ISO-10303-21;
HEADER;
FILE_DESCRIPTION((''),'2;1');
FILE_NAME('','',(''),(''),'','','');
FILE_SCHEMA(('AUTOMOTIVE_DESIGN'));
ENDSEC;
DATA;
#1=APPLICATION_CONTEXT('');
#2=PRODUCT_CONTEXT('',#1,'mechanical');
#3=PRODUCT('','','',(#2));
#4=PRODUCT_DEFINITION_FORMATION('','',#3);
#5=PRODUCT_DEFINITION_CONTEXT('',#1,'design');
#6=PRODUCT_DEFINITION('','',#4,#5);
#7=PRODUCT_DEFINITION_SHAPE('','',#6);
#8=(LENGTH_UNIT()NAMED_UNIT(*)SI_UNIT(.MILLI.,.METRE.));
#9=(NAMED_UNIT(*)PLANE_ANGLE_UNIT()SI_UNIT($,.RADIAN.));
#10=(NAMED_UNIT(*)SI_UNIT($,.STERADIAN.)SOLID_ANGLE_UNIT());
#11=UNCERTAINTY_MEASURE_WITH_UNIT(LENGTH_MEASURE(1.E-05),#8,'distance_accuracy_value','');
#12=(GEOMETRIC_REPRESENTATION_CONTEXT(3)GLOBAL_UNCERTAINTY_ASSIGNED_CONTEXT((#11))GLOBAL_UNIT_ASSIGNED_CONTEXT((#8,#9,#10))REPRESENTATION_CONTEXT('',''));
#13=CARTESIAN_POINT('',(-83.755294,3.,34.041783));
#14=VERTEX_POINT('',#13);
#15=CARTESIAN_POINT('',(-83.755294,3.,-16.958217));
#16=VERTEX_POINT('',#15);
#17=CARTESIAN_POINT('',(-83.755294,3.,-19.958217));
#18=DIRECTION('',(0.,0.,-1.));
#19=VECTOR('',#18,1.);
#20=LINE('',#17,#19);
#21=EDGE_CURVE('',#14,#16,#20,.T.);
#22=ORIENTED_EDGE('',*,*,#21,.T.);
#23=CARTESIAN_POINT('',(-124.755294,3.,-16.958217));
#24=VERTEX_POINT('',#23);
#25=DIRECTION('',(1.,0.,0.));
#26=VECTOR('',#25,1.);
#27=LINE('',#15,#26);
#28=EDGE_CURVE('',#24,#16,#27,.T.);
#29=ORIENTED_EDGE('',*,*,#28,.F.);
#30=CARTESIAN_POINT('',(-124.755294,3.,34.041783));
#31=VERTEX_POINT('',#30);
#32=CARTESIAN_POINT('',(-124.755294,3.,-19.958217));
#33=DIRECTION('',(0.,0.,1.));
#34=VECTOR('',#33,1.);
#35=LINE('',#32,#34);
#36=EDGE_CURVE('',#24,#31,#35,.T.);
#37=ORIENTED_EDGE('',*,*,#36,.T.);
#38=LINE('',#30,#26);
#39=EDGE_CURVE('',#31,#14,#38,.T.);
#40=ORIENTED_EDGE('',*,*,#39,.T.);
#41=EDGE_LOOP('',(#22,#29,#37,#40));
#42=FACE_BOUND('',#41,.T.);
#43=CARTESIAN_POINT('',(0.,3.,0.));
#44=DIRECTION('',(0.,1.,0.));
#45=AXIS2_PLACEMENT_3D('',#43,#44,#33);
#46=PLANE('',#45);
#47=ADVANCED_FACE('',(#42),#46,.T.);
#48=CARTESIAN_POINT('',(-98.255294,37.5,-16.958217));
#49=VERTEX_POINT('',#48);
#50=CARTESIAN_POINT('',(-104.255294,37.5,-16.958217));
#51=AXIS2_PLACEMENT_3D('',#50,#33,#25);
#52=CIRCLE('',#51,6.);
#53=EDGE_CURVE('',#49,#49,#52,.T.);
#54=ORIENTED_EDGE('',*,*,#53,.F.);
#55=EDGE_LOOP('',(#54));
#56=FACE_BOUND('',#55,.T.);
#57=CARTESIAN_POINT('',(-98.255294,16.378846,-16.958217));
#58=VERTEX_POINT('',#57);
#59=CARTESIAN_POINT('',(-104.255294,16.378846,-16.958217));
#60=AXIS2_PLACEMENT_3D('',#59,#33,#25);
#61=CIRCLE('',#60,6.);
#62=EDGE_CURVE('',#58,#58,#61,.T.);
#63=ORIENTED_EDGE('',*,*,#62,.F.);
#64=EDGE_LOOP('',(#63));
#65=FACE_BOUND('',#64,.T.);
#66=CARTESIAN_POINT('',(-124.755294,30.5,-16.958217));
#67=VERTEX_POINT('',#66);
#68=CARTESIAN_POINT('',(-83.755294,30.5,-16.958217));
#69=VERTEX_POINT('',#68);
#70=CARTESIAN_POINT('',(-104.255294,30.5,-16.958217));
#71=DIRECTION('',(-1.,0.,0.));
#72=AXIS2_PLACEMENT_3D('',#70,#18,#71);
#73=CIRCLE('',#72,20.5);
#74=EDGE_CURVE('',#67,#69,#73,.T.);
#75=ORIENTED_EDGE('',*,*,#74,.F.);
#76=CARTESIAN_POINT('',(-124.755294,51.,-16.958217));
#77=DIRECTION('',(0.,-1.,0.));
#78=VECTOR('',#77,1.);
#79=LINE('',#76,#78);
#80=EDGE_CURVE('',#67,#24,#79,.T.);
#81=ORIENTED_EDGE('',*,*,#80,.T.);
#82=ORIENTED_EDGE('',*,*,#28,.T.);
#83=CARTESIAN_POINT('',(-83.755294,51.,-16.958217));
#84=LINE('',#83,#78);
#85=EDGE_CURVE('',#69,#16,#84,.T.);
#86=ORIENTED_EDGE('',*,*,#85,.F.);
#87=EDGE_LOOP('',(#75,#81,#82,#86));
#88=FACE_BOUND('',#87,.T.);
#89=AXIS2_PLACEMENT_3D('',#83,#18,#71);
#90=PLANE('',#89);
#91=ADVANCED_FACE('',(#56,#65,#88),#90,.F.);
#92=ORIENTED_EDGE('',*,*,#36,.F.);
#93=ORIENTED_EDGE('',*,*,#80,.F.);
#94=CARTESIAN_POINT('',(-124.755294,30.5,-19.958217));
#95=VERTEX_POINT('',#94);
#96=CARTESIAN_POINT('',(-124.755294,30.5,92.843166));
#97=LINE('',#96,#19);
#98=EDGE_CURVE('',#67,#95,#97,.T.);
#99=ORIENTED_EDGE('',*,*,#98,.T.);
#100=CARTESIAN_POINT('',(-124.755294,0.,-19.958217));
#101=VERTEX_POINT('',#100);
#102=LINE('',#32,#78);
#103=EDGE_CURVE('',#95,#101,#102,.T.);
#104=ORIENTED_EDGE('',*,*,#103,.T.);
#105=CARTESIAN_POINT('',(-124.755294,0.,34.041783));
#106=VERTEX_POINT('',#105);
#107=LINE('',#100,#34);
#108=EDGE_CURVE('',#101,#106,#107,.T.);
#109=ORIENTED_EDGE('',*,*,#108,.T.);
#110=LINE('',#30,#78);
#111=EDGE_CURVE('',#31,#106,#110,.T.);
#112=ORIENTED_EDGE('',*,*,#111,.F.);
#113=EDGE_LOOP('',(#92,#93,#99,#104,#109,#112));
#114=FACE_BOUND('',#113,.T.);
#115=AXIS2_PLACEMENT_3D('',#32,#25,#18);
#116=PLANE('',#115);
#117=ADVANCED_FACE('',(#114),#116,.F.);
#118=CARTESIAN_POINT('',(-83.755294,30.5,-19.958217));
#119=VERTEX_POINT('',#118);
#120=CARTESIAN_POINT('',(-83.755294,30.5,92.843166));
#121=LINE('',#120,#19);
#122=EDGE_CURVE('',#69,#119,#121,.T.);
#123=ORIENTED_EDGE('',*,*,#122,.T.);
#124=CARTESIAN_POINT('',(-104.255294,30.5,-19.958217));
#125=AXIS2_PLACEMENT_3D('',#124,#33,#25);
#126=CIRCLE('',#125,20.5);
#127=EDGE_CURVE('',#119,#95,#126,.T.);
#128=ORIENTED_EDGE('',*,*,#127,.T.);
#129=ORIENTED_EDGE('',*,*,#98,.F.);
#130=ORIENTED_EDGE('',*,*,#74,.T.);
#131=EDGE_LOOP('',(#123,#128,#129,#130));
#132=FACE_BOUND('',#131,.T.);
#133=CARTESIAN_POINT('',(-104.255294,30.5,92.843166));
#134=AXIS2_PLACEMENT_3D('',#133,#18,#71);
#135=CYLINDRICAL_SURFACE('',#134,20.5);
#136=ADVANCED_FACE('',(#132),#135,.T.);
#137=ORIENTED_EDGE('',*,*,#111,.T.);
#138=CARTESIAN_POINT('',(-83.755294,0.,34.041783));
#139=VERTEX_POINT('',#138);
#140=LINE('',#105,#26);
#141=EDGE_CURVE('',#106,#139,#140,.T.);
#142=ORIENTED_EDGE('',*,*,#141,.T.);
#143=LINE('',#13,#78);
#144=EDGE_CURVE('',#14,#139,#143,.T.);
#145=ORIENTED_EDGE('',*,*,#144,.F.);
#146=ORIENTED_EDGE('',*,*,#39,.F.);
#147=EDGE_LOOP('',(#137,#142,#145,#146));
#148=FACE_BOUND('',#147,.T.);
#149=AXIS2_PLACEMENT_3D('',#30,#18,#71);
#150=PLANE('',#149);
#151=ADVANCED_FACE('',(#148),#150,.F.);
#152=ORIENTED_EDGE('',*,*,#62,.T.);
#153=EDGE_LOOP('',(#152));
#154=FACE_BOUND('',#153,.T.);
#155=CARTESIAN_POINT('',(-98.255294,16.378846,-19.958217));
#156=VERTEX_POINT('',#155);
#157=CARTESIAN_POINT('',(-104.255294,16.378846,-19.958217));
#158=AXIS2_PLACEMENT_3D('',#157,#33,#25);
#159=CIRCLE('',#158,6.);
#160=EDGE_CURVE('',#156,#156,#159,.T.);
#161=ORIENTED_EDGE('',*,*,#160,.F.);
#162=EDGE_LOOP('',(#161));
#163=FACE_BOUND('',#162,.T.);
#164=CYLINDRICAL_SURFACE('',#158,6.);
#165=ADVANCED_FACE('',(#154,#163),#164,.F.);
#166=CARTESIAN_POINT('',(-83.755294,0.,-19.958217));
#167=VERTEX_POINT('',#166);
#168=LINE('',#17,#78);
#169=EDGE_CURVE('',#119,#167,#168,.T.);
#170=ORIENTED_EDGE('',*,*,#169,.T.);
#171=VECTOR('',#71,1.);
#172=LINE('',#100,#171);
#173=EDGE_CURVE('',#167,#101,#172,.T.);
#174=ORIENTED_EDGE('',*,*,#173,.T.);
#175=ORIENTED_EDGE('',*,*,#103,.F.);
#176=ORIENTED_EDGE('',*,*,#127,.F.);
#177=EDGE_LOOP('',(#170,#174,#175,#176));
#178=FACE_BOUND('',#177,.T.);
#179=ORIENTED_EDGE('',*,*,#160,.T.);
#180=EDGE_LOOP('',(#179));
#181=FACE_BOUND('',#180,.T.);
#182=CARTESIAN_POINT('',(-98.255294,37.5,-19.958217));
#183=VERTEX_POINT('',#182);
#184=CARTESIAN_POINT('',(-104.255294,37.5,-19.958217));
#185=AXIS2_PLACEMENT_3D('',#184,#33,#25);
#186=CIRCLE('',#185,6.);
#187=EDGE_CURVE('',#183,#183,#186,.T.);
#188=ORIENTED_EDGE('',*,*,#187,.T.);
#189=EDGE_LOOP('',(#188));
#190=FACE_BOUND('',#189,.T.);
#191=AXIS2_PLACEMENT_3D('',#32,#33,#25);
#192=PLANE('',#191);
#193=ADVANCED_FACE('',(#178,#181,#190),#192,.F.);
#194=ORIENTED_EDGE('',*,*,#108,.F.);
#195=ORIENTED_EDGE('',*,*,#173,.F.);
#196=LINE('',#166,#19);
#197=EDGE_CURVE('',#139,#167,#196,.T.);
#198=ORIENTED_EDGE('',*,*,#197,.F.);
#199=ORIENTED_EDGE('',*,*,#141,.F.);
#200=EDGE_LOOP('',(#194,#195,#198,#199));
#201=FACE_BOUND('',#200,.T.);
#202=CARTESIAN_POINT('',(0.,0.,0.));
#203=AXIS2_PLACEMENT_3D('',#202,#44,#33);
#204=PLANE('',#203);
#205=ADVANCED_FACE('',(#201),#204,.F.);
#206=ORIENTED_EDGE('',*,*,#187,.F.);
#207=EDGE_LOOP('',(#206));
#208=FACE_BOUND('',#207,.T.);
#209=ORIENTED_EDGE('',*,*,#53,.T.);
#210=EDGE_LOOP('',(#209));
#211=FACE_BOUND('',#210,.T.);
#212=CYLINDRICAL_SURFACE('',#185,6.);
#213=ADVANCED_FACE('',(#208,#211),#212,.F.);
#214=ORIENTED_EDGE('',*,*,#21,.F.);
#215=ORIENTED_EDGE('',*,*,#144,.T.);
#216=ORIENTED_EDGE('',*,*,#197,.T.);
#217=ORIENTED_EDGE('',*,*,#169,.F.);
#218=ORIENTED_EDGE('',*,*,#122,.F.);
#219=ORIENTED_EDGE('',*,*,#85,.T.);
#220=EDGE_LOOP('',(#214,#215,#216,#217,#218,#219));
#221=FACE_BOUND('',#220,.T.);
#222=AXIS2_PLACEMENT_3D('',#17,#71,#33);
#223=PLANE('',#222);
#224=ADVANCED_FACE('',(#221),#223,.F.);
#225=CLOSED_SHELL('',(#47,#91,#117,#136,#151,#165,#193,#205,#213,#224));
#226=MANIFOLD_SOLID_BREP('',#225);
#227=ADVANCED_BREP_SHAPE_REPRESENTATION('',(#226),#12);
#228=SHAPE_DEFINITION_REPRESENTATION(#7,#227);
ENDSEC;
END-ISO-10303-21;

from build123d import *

# Parameters (mm, degrees)
SKETCH1_W               = 41
SKETCH1_H               = 54
BOSS_EXTRUDE1_DEPTH     = 3
SKETCH2_W               = 41
SKETCH2_H               = 3
BOSS_EXTRUDE2_DEPTH     = 48
SKETCH4_R               = 6
CUT_EXTRUDE1_DEPTH      = 145.103724485
CUT_EXTRUDE3_DEPTH      = 145.103724485
CUT_EXTRUDE3_DEPTH_BACK = 145.103724485
SKETCH12_R              = 6
CUT_EXTRUDE4_DEPTH      = 145.103724485


with BuildPart() as part:
    # Sketch1 → Boss-Extrude1 (new body)
    with BuildSketch(Plane(origin=(0, 0, 0), x_dir=(1, 0, 0), z_dir=(0, 1, 0))):
        with Locations((-104.255294118, -7.041782531)):
            Rectangle(SKETCH1_W, SKETCH1_H)
    extrude(amount=BOSS_EXTRUDE1_DEPTH)

    # Sketch2 → Boss-Extrude2 (add)
    with BuildSketch(Plane(origin=(0, 3, 0), x_dir=(1, 0, 0), z_dir=(0, 1, 0))):
        with Locations((-104.255294118, 18.458217469)):
            Rectangle(SKETCH2_W, SKETCH2_H)
    extrude(amount=BOSS_EXTRUDE2_DEPTH)

    # Sketch4 → Cut-Extrude1 (cut, through all)
    with BuildSketch(Plane.XY.offset(-16.958217469)):
        with Locations((-104.255294118, 37.5)):
            Circle(SKETCH4_R)
    extrude(amount=-CUT_EXTRUDE1_DEPTH, mode=Mode.SUBTRACT)

    # Sketch5 → Cut-Extrude3 (cut, two sides: drawn at the far end of the back side and taken through both)
    with BuildSketch(Plane.XY.offset(-16.958217469).offset(-CUT_EXTRUDE3_DEPTH_BACK)):
        with BuildLine():
            Line((-124.755294118, 51), (-124.755294118, 30.5))
            ThreePointArc((-124.755294118, 30.5), (-118.750983132, 44.995689014), (-104.255294118, 51))
            Line((-104.255294118, 51), (-124.755294118, 51))
        make_face()
        with BuildLine():
            ThreePointArc((-104.255294118, 51), (-89.759605103, 44.995689014), (-83.755294118, 30.5))
            Line((-83.755294118, 30.5), (-83.755294118, 51))
            Line((-83.755294118, 51), (-104.255294118, 51))
        make_face()
    extrude(amount=CUT_EXTRUDE3_DEPTH + CUT_EXTRUDE3_DEPTH_BACK, mode=Mode.SUBTRACT)

    # Sketch12 → Cut-Extrude4 (cut, through all)
    with BuildSketch(Plane.XY.offset(-16.958217469)):
        with Locations((-104.255294118, 16.378845884)):
            Circle(SKETCH12_R)
    extrude(amount=-CUT_EXTRUDE4_DEPTH, mode=Mode.SUBTRACT)


solid = part.part
